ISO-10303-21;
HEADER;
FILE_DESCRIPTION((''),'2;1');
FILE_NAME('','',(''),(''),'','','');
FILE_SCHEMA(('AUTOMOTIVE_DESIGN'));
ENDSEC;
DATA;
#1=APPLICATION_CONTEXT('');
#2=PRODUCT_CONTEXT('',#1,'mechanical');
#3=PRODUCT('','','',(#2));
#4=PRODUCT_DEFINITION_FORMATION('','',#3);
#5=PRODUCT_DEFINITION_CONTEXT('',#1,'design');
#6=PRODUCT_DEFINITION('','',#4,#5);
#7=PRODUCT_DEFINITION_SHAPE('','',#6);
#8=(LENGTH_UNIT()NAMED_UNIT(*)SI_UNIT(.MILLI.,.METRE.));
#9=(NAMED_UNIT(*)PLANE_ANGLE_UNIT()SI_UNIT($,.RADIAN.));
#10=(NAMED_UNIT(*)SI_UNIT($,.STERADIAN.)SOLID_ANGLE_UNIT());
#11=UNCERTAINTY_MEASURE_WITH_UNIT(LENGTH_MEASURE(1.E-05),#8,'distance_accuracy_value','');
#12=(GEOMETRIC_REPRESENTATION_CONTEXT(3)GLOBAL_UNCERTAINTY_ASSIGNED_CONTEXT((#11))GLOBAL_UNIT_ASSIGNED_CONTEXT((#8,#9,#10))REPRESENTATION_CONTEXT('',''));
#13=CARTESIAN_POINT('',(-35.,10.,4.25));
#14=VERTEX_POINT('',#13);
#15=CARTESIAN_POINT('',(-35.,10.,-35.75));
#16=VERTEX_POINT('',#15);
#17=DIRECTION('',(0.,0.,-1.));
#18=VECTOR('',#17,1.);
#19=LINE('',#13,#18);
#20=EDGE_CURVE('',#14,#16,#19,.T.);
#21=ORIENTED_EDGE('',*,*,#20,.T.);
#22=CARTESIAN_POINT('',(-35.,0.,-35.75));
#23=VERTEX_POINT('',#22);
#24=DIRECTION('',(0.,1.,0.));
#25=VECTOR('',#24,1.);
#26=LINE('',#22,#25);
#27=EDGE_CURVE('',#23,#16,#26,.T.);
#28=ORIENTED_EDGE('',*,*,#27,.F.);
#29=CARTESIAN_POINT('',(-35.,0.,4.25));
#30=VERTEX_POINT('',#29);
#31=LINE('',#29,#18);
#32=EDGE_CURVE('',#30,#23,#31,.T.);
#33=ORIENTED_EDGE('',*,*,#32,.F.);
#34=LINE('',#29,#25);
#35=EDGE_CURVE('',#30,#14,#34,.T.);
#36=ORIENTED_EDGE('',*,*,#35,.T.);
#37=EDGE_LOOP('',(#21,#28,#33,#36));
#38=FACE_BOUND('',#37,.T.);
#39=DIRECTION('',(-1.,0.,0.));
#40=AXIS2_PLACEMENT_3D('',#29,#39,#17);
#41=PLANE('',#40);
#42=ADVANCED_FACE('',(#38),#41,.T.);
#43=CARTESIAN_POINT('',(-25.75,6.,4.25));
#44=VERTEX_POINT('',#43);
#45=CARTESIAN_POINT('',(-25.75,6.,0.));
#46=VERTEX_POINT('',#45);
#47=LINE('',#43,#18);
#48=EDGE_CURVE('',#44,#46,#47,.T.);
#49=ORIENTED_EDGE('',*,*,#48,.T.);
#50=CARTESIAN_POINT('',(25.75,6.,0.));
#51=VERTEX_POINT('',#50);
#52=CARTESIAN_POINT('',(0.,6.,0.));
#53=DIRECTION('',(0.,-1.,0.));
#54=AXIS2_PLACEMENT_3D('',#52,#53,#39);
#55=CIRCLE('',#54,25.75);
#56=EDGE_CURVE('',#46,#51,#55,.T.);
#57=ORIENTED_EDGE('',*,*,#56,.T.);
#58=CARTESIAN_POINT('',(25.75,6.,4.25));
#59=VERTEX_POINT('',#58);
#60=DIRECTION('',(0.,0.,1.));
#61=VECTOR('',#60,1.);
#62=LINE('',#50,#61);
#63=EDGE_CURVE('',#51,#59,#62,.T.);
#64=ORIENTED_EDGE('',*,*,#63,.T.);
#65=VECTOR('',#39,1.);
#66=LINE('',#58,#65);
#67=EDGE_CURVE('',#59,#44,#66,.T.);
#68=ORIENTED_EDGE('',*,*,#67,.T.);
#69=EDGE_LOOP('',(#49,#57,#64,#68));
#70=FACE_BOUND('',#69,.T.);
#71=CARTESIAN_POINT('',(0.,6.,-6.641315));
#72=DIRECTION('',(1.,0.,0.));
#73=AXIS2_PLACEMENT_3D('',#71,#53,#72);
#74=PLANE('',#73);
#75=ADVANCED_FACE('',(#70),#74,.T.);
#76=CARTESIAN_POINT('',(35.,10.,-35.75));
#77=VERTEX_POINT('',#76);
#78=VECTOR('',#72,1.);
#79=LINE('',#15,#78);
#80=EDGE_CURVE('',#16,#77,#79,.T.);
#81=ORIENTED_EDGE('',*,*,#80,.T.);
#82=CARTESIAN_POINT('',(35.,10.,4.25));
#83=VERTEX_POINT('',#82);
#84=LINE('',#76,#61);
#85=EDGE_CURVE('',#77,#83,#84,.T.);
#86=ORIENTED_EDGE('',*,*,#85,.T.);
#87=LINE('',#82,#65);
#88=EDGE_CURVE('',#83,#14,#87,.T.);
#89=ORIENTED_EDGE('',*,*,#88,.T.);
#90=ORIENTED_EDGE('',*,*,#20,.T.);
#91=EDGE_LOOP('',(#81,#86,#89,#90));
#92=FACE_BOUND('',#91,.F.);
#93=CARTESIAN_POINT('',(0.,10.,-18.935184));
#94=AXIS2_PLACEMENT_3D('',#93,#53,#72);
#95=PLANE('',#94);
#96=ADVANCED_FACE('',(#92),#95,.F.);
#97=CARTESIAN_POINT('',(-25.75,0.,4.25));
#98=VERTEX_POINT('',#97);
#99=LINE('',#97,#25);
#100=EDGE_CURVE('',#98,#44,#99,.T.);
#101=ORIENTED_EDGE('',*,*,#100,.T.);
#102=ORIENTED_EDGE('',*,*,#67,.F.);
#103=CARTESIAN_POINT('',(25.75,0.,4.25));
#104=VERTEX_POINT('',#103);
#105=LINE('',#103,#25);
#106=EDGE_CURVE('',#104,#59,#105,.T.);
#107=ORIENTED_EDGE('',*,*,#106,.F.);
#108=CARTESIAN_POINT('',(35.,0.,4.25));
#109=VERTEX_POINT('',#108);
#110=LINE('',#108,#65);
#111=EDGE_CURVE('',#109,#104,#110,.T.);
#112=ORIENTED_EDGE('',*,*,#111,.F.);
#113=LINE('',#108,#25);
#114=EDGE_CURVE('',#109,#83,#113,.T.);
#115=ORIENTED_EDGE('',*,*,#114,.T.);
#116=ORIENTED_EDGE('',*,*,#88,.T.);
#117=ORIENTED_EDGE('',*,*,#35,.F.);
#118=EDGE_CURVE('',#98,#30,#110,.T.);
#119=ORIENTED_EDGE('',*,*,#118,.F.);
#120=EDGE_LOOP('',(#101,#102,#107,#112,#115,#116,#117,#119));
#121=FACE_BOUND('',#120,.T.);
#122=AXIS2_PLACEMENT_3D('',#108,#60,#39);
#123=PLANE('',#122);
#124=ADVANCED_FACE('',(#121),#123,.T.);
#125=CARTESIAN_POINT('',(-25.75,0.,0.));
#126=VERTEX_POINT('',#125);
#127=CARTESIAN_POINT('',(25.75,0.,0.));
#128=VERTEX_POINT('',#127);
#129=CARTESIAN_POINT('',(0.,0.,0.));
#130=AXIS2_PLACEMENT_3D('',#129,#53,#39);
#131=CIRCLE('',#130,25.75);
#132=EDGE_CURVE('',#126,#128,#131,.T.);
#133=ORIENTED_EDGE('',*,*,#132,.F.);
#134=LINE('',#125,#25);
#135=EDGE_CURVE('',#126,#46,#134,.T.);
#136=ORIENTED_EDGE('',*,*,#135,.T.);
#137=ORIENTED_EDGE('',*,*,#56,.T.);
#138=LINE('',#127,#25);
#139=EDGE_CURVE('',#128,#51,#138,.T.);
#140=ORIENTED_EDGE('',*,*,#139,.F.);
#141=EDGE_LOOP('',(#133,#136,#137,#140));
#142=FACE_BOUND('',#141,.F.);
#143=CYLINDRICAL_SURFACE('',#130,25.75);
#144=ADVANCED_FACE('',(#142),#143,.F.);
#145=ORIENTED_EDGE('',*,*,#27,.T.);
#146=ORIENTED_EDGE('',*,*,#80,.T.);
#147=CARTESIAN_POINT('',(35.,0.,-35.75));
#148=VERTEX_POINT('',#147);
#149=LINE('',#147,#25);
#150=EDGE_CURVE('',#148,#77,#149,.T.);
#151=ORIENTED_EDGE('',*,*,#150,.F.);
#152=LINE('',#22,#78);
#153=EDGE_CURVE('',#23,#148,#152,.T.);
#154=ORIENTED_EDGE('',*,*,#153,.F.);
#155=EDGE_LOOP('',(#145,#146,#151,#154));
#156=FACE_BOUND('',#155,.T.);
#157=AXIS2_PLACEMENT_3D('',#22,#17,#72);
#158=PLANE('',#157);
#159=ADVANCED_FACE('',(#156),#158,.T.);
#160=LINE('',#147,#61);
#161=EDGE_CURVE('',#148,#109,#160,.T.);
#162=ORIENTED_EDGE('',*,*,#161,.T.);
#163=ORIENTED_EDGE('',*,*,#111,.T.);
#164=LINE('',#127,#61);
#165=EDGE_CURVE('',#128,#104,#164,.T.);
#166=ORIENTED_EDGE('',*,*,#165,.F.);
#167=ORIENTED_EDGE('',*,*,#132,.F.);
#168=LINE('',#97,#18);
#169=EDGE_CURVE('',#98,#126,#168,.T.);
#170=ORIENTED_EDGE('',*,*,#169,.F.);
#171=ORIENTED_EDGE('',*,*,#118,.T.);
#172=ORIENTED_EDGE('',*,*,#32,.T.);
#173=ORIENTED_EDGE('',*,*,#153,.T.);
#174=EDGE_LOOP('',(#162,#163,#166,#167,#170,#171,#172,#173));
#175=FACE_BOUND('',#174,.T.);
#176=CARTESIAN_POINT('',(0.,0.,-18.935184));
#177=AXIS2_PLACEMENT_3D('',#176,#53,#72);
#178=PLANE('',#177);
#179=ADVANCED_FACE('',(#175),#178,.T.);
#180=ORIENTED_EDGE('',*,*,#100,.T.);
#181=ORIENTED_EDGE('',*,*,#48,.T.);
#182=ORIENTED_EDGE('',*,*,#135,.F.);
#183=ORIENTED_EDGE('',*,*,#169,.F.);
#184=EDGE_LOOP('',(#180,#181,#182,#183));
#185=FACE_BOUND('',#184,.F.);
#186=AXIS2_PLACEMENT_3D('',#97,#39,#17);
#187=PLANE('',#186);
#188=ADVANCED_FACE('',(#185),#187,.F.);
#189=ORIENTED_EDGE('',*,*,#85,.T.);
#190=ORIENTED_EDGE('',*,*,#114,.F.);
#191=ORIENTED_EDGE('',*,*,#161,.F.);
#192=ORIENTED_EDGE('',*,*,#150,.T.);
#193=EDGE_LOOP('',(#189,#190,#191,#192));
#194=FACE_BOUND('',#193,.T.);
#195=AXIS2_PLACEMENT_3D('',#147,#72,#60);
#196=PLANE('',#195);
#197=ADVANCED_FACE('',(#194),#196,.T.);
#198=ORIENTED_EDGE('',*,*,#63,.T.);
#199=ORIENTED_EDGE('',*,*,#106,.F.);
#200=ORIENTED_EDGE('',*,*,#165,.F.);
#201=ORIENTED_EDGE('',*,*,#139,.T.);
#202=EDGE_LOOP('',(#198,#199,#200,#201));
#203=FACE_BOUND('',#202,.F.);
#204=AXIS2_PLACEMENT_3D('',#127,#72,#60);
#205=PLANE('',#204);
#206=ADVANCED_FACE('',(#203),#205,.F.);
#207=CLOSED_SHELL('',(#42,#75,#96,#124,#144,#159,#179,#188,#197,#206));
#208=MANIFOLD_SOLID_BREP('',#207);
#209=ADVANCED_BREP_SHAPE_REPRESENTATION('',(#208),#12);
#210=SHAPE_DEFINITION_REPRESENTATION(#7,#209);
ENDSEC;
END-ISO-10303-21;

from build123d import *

# Parameters (mm, degrees)
F1_DEPTH = 10
F2_DEPTH = 6


with BuildPart() as f1:
    # F0 (on Front) → F1 (new body)
    with BuildSketch(Plane.XZ):
        with BuildLine():
            ThreePointArc((25.75, 0), (0, -25.75), (-25.75, 0))
            Line((-25.75, 0), (-25.75, 4.25))
            Line((-25.75, 4.25), (-35, 4.25))
            Line((-35, 4.25), (-35, -35.75))
            Line((-35, -35.75), (0, -35.75))
            Line((0, -35.75), (35, -35.75))
            Line((35, -35.75), (35, 4.25))
            Line((35, 4.25), (25.75, 4.25))
            Line((25.75, 4.25), (25.75, 0))
        make_face()
        with BuildLine():
            Line((-25.75, 4.25), (-25.75, 0))
            ThreePointArc((-25.75, 0), (0, -25.75), (25.75, 0))
            Line((25.75, 0), (25.75, 4.25))
            Line((25.75, 4.25), (-25.75, 4.25))
        make_face()
    extrude(amount=-F1_DEPTH)

    # F0 (on Front) → F2 (cut)
    with BuildSketch(Plane.XZ):
        with BuildLine():
            Line((-25.75, 4.25), (-25.75, 0))
            ThreePointArc((-25.75, 0), (0, -25.75), (25.75, 0))
            Line((25.75, 0), (25.75, 4.25))
            Line((25.75, 4.25), (-25.75, 4.25))
        make_face()
    extrude(amount=-F2_DEPTH, mode=Mode.SUBTRACT)


solid = f1.part
